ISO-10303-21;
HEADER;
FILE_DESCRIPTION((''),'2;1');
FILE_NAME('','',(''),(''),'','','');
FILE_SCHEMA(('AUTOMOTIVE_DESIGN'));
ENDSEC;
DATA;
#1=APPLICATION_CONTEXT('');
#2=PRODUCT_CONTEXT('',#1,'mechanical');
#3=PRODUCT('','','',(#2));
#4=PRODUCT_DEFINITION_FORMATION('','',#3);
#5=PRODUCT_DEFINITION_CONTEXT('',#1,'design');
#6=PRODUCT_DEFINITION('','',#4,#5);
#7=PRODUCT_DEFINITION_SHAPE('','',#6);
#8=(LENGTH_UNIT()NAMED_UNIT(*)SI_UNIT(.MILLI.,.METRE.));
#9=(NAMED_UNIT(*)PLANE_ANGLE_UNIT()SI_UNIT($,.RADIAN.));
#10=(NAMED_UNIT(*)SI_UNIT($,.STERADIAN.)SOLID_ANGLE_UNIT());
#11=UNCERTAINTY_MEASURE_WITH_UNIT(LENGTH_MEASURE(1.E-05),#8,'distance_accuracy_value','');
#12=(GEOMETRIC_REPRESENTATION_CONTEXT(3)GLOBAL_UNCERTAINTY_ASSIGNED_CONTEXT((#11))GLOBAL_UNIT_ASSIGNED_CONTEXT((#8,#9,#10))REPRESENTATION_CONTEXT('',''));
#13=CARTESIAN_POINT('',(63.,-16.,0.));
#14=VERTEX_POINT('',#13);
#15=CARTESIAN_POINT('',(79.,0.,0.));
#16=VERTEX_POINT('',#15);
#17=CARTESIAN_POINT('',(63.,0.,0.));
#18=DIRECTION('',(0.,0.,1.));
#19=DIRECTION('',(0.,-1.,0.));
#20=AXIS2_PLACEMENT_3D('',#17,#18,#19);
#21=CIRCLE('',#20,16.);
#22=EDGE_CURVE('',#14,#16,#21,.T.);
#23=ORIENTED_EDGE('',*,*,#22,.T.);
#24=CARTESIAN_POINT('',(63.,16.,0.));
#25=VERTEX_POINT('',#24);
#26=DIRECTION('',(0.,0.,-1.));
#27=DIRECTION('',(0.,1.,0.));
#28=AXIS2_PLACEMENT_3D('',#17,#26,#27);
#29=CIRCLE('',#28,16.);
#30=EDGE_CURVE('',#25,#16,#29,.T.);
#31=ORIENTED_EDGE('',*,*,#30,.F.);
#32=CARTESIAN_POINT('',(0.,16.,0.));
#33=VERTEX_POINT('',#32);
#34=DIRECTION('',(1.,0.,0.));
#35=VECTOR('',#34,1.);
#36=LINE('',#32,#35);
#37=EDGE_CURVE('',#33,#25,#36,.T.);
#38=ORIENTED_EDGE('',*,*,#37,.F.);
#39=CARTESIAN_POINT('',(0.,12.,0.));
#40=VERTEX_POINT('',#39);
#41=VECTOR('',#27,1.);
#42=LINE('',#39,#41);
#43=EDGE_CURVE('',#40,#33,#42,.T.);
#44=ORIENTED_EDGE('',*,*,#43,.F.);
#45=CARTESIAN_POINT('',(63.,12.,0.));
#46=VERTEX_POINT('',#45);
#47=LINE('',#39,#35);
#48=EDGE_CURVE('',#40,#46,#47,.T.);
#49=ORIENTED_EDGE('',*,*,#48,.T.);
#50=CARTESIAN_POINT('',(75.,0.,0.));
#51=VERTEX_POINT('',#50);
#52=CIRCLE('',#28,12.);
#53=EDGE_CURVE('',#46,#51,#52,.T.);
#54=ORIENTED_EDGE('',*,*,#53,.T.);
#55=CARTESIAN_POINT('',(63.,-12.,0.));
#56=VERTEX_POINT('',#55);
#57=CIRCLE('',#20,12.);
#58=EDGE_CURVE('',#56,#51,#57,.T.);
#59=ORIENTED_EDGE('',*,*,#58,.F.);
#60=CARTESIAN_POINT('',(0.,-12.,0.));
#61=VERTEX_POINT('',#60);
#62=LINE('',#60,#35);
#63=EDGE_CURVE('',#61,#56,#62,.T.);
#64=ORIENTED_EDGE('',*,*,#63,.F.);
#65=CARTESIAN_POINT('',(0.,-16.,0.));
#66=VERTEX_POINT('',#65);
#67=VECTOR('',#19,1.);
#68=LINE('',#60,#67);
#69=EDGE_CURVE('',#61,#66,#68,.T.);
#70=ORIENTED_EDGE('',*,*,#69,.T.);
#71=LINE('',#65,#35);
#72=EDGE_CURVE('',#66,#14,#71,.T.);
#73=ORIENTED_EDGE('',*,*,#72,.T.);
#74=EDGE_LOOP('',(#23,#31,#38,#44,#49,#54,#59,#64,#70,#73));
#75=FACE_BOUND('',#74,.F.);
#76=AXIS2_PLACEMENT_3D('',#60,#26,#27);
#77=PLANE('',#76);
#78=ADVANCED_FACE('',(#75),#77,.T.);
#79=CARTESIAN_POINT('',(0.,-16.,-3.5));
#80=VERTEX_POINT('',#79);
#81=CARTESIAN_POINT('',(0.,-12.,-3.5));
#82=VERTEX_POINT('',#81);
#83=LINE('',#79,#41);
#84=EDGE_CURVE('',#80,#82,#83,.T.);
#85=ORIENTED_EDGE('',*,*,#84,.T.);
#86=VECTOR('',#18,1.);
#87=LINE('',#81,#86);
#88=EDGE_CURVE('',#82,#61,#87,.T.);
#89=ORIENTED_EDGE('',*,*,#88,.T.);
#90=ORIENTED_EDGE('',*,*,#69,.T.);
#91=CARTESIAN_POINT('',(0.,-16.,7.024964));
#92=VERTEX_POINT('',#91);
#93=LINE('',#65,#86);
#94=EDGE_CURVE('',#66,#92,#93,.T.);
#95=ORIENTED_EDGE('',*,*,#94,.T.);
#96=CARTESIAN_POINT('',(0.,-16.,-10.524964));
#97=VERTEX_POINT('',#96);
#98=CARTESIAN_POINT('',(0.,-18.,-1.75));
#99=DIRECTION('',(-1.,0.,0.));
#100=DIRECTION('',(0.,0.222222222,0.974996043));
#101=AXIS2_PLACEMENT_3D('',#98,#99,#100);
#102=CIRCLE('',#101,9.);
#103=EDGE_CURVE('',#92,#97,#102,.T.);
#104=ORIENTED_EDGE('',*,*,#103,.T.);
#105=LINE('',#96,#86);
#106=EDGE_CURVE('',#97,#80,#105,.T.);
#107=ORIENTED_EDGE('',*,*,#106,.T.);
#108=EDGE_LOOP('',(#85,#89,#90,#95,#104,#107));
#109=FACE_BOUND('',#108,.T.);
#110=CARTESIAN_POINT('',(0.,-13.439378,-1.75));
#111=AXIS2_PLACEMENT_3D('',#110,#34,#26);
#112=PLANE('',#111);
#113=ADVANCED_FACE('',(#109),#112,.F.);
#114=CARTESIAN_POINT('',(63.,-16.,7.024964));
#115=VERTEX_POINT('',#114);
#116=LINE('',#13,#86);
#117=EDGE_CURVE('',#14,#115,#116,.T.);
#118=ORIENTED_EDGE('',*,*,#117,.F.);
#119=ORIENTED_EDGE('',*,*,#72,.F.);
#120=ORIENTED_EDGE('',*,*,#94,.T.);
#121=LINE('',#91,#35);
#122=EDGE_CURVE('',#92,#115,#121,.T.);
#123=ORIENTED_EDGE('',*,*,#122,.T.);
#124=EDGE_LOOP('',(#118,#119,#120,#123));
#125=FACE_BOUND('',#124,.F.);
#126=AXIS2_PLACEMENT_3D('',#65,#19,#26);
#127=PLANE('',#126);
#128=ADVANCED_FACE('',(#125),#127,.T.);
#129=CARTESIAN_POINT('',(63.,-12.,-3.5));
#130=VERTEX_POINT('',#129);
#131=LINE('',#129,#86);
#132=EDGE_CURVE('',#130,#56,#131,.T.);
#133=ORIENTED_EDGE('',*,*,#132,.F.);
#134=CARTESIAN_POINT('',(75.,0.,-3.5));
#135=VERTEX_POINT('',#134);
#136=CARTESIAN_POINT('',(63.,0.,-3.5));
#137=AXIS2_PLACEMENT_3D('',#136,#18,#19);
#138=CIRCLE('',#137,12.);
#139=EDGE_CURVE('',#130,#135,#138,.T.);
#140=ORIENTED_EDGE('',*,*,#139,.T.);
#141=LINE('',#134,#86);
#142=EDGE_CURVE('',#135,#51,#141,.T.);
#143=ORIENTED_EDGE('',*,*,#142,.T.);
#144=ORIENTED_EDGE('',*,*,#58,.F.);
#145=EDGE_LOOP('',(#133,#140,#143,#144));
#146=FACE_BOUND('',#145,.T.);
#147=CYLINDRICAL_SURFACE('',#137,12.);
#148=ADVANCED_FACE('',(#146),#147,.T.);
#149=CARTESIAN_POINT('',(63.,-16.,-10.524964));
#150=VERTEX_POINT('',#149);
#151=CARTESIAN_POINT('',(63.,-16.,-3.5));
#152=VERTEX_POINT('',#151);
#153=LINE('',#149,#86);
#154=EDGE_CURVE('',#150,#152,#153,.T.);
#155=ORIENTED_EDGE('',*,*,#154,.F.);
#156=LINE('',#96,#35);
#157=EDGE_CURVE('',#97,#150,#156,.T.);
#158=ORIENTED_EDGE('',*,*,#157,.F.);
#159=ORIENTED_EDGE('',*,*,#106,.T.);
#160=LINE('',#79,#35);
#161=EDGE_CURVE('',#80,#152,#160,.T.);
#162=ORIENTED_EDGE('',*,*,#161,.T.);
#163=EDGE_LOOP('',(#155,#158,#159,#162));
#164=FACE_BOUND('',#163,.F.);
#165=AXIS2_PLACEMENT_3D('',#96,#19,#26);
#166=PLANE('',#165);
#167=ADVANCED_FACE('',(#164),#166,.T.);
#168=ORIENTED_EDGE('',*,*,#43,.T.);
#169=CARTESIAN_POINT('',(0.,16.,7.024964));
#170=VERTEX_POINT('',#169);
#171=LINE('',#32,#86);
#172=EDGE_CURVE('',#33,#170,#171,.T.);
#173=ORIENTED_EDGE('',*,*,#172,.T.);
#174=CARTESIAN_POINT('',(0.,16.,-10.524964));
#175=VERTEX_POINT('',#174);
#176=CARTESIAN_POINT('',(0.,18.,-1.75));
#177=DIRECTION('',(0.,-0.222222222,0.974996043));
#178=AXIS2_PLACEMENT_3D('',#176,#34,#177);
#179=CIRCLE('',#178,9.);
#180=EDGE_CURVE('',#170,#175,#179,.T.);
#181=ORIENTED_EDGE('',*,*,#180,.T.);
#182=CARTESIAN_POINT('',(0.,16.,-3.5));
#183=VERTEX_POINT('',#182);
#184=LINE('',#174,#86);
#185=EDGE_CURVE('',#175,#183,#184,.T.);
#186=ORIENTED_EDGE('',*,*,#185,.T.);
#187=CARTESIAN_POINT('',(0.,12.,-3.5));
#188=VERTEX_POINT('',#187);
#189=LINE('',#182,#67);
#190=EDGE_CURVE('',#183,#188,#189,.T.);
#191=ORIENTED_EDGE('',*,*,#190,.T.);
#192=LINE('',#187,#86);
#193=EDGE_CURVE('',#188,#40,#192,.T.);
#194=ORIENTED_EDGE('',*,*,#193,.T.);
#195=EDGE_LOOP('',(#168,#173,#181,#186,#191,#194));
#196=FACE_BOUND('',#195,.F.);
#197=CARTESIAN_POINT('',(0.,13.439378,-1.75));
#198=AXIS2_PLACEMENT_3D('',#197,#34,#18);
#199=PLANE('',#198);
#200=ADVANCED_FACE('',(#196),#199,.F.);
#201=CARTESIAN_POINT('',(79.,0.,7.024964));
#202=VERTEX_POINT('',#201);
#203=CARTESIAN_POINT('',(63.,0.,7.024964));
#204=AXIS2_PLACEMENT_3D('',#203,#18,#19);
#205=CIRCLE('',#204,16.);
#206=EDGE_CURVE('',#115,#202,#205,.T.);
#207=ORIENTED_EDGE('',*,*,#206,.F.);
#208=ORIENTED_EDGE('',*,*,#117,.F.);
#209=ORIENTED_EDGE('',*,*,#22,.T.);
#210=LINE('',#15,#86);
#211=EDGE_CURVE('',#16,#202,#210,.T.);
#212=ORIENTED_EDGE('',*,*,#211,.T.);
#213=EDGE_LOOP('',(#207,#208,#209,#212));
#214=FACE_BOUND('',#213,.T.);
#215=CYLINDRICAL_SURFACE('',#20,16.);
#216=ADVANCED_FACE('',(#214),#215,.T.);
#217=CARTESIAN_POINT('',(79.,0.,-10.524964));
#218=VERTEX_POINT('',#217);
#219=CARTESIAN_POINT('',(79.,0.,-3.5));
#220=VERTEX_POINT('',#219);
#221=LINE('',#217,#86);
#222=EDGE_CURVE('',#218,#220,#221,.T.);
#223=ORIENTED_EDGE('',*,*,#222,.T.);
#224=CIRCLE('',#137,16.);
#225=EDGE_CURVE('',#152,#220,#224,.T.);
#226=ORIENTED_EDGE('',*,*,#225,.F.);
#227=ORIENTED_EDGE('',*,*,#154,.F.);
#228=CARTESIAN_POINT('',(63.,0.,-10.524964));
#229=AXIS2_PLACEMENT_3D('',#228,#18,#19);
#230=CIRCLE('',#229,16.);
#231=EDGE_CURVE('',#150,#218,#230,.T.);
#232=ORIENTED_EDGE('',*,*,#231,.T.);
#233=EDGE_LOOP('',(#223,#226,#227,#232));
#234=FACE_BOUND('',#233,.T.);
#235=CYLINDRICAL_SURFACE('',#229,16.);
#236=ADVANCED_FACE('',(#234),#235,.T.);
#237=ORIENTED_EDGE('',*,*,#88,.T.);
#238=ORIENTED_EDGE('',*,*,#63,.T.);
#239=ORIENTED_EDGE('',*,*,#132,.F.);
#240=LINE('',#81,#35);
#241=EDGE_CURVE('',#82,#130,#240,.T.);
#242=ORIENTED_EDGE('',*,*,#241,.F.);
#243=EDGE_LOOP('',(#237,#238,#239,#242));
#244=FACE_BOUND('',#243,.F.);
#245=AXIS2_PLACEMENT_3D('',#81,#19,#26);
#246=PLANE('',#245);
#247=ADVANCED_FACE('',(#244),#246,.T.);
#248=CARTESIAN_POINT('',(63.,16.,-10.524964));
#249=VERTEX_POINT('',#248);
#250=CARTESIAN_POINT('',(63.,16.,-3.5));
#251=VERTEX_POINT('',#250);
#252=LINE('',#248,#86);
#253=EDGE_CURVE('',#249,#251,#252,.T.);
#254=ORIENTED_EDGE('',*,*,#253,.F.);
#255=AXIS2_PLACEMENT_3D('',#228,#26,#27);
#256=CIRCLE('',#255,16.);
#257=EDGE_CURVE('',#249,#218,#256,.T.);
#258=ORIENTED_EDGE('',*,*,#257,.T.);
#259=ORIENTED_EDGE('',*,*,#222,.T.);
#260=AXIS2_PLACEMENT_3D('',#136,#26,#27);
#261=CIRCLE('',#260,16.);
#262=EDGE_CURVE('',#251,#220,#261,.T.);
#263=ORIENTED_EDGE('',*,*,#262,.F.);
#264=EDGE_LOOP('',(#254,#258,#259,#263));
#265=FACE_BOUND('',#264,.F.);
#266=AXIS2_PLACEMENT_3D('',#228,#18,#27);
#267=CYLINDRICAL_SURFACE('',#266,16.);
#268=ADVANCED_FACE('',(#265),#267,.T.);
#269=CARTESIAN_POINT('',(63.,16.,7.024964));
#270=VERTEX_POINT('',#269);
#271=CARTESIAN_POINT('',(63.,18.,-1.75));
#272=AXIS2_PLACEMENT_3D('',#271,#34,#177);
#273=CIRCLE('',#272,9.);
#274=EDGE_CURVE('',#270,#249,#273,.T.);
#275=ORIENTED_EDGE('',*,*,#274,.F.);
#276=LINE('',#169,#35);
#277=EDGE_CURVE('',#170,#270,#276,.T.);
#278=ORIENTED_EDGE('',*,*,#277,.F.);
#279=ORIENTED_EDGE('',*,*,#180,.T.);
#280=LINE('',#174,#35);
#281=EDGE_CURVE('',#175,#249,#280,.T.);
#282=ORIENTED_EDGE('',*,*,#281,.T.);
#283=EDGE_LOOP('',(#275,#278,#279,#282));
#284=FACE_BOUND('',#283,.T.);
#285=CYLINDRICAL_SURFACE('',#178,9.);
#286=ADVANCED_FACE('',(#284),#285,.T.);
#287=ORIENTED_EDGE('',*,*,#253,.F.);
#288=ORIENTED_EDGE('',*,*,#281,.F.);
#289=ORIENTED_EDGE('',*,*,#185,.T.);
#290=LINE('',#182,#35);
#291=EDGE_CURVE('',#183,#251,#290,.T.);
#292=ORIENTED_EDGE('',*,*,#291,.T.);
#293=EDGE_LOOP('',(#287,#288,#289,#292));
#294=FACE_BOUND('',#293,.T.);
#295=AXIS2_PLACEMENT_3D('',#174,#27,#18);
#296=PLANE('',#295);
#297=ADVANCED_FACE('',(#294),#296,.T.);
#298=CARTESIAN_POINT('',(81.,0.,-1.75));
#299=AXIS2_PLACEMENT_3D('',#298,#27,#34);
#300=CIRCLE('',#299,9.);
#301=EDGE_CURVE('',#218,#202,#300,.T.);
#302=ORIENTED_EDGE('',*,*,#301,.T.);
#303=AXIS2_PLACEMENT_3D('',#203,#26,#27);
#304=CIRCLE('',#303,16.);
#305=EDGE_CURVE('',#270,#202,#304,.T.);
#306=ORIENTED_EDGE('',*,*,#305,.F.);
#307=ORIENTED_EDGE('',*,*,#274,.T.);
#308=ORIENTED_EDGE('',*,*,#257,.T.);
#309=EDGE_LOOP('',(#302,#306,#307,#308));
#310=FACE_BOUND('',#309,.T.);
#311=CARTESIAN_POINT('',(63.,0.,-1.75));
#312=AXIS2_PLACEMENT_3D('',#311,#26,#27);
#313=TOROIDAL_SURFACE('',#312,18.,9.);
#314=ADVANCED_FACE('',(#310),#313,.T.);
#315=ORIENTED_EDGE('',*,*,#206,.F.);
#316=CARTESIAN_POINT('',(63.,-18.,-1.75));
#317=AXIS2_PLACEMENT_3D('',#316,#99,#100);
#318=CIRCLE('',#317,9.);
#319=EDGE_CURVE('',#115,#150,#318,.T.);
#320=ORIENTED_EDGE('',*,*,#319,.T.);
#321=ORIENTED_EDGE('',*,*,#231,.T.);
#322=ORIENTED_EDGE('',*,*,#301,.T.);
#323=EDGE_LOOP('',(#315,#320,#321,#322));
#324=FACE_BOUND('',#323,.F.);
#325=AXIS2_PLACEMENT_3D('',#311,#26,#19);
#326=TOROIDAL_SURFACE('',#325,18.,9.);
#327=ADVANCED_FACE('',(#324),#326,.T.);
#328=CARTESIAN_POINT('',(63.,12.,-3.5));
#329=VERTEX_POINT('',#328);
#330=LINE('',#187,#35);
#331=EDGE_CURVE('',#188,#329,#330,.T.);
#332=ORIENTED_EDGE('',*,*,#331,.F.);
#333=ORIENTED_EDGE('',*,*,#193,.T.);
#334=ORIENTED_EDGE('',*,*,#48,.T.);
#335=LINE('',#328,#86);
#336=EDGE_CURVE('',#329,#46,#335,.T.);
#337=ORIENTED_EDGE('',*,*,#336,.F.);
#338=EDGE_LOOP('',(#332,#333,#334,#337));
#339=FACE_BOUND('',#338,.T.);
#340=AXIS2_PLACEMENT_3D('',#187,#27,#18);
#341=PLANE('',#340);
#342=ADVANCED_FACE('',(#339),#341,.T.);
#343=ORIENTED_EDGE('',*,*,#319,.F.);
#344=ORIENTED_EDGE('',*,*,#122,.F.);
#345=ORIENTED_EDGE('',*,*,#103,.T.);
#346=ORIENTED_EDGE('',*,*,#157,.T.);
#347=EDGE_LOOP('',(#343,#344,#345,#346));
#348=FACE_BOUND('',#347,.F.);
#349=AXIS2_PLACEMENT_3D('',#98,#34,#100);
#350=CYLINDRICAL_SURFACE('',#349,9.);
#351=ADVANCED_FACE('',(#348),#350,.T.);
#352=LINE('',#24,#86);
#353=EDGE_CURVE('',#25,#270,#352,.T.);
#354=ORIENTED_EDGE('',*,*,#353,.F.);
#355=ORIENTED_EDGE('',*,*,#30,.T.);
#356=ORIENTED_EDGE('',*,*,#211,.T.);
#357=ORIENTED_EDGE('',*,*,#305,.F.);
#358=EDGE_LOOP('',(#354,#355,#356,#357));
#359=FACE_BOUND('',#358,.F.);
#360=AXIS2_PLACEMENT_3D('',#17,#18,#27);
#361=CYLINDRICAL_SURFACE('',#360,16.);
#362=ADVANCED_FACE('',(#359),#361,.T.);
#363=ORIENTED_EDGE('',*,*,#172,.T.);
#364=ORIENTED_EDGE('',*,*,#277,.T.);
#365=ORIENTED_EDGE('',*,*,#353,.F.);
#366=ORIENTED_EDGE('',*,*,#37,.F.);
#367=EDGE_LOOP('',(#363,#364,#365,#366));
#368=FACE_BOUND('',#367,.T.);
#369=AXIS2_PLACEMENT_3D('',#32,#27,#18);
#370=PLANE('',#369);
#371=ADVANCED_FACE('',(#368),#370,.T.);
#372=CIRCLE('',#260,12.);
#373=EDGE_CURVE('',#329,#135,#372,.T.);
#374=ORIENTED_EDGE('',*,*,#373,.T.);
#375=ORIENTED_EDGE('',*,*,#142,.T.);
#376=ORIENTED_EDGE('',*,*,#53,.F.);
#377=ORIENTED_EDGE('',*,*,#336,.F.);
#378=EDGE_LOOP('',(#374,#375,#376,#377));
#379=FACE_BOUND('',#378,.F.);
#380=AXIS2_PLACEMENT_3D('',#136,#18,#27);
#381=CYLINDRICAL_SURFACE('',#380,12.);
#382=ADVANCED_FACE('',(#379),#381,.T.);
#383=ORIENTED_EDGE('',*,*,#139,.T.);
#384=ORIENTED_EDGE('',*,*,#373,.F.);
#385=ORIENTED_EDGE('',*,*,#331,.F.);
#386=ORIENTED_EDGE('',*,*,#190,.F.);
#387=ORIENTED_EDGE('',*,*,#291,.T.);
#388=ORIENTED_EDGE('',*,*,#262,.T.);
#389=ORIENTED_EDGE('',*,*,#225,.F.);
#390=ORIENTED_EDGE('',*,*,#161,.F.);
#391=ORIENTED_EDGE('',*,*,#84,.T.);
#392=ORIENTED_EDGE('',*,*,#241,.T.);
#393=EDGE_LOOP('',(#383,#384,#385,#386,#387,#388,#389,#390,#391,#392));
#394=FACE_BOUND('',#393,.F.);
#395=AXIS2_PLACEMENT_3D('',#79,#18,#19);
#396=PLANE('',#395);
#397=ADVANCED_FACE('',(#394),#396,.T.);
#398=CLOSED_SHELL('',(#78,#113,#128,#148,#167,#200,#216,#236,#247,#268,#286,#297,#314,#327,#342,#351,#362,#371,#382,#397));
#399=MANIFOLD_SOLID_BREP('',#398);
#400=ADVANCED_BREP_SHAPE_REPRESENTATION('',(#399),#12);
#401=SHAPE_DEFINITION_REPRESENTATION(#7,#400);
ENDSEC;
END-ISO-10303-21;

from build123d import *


with BuildPart() as f2:
    # F2: sweep along a path in F0
    with BuildLine(Plane.XY) as f2_path:
        Line((0, 12), (63, 12))
        ThreePointArc((63, 12), (71.4852813742, 8.4852813742), (75, 0))
    # F1 (on Right) → F2 (sweep)
    with BuildSketch(Plane.YZ):
        with BuildLine():
            Line((16, -10.5249643874), (16, -3.5))
            Line((16, -3.5), (12, -3.5))
            Line((12, -3.5), (12, 0))
            Line((12, 0), (16, 0))
            Line((16, 0), (16, 7.0249643874))
            ThreePointArc((16, 7.0249643874), (9, -1.75), (16, -10.5249643874))
        make_face()
    sweep(path=f2_path.line)

    # F3: F2 across face


with BuildPart() as f2_1:
    add(f2.part)
    add(f2.part.mirror(Plane(origin=(75.912514634, 0, -1.75), x_dir=(1, 0, 0), z_dir=(0, -1, 0))))


solid = f2_1.part
